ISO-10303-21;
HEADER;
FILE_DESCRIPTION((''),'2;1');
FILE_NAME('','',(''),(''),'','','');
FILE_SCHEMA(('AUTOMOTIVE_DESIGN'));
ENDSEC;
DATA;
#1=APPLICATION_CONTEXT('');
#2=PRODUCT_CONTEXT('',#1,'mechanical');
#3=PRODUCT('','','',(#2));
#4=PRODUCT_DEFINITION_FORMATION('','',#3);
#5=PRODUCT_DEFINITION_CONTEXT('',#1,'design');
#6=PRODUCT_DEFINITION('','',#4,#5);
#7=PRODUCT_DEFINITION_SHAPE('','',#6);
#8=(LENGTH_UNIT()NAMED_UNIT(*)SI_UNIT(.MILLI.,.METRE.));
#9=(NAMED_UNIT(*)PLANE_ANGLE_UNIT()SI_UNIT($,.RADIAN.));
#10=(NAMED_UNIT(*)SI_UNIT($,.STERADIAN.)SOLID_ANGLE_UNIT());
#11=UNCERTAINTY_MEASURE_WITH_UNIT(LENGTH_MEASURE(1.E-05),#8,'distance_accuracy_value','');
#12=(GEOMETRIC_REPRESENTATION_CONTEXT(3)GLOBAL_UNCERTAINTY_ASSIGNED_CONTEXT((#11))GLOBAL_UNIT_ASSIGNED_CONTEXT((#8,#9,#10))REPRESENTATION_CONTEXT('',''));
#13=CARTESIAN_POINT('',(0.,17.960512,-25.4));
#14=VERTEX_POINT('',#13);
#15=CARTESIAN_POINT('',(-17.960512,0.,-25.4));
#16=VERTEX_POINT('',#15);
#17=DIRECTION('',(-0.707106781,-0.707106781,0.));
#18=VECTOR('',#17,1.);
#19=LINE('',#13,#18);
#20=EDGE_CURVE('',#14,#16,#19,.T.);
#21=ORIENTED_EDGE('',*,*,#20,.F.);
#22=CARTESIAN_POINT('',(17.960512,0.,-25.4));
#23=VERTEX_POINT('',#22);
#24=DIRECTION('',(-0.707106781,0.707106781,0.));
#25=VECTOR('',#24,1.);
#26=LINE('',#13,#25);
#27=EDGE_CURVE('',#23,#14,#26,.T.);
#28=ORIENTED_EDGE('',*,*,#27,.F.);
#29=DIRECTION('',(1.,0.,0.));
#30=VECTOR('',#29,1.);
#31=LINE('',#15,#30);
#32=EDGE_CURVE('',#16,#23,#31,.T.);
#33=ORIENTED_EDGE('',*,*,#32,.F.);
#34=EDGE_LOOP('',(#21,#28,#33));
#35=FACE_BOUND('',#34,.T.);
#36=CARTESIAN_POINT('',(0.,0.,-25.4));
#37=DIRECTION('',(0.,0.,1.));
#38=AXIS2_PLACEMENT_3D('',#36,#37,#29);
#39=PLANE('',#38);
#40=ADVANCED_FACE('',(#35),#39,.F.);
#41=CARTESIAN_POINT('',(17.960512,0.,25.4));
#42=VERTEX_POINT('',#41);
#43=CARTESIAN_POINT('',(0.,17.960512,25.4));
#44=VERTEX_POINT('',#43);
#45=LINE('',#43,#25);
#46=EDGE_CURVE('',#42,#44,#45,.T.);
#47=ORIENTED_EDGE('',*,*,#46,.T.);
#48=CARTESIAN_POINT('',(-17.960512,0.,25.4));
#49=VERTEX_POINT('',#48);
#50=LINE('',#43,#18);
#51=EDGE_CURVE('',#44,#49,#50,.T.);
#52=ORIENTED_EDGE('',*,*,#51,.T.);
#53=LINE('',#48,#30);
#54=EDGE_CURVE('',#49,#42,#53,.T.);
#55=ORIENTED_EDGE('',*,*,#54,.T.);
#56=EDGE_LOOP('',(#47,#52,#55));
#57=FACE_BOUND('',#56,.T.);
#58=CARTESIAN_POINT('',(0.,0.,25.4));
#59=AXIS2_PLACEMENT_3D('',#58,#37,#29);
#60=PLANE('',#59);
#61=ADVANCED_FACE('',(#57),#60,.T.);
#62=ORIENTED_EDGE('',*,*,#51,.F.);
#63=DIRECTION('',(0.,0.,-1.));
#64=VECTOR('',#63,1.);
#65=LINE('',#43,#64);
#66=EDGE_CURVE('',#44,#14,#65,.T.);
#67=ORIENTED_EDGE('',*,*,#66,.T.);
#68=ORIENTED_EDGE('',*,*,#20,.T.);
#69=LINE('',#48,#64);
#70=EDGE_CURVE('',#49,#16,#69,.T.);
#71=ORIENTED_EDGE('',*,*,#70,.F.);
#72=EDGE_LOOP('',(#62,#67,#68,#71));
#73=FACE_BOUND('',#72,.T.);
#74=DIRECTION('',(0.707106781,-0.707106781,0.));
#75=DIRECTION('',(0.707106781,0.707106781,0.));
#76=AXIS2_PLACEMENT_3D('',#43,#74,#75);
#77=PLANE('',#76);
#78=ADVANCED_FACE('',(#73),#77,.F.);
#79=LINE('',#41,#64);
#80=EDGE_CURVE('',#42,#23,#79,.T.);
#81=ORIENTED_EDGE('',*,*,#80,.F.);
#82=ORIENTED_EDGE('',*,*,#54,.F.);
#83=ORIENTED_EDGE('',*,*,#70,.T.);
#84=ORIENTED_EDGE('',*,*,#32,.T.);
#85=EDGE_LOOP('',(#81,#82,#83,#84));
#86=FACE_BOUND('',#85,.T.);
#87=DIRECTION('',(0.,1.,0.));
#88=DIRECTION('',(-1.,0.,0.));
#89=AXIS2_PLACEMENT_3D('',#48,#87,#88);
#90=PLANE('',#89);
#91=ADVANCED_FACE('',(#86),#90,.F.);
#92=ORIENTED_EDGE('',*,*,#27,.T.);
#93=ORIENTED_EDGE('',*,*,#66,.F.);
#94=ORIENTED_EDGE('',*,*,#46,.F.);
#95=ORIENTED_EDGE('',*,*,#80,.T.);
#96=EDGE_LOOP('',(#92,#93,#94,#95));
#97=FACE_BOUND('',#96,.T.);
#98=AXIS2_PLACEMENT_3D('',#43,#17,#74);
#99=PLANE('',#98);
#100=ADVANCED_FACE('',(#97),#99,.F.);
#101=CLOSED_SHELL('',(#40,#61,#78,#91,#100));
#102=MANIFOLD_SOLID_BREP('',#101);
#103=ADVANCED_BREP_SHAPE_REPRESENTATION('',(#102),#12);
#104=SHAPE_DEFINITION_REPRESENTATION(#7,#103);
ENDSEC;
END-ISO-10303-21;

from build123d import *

# Parameters (mm, degrees)
BOSS_EXTRUDE1_DEPTH = 25.4


with BuildPart() as part:
    # Sketch1 → Boss-Extrude1 (new body, symmetric)
    with BuildSketch(Plane.XY):
        Polygon((-17.960512242, 0), (17.960512242, 0), (0, 17.960512242), align=None)
    extrude(amount=BOSS_EXTRUDE1_DEPTH, both=True)


solid = part.part
